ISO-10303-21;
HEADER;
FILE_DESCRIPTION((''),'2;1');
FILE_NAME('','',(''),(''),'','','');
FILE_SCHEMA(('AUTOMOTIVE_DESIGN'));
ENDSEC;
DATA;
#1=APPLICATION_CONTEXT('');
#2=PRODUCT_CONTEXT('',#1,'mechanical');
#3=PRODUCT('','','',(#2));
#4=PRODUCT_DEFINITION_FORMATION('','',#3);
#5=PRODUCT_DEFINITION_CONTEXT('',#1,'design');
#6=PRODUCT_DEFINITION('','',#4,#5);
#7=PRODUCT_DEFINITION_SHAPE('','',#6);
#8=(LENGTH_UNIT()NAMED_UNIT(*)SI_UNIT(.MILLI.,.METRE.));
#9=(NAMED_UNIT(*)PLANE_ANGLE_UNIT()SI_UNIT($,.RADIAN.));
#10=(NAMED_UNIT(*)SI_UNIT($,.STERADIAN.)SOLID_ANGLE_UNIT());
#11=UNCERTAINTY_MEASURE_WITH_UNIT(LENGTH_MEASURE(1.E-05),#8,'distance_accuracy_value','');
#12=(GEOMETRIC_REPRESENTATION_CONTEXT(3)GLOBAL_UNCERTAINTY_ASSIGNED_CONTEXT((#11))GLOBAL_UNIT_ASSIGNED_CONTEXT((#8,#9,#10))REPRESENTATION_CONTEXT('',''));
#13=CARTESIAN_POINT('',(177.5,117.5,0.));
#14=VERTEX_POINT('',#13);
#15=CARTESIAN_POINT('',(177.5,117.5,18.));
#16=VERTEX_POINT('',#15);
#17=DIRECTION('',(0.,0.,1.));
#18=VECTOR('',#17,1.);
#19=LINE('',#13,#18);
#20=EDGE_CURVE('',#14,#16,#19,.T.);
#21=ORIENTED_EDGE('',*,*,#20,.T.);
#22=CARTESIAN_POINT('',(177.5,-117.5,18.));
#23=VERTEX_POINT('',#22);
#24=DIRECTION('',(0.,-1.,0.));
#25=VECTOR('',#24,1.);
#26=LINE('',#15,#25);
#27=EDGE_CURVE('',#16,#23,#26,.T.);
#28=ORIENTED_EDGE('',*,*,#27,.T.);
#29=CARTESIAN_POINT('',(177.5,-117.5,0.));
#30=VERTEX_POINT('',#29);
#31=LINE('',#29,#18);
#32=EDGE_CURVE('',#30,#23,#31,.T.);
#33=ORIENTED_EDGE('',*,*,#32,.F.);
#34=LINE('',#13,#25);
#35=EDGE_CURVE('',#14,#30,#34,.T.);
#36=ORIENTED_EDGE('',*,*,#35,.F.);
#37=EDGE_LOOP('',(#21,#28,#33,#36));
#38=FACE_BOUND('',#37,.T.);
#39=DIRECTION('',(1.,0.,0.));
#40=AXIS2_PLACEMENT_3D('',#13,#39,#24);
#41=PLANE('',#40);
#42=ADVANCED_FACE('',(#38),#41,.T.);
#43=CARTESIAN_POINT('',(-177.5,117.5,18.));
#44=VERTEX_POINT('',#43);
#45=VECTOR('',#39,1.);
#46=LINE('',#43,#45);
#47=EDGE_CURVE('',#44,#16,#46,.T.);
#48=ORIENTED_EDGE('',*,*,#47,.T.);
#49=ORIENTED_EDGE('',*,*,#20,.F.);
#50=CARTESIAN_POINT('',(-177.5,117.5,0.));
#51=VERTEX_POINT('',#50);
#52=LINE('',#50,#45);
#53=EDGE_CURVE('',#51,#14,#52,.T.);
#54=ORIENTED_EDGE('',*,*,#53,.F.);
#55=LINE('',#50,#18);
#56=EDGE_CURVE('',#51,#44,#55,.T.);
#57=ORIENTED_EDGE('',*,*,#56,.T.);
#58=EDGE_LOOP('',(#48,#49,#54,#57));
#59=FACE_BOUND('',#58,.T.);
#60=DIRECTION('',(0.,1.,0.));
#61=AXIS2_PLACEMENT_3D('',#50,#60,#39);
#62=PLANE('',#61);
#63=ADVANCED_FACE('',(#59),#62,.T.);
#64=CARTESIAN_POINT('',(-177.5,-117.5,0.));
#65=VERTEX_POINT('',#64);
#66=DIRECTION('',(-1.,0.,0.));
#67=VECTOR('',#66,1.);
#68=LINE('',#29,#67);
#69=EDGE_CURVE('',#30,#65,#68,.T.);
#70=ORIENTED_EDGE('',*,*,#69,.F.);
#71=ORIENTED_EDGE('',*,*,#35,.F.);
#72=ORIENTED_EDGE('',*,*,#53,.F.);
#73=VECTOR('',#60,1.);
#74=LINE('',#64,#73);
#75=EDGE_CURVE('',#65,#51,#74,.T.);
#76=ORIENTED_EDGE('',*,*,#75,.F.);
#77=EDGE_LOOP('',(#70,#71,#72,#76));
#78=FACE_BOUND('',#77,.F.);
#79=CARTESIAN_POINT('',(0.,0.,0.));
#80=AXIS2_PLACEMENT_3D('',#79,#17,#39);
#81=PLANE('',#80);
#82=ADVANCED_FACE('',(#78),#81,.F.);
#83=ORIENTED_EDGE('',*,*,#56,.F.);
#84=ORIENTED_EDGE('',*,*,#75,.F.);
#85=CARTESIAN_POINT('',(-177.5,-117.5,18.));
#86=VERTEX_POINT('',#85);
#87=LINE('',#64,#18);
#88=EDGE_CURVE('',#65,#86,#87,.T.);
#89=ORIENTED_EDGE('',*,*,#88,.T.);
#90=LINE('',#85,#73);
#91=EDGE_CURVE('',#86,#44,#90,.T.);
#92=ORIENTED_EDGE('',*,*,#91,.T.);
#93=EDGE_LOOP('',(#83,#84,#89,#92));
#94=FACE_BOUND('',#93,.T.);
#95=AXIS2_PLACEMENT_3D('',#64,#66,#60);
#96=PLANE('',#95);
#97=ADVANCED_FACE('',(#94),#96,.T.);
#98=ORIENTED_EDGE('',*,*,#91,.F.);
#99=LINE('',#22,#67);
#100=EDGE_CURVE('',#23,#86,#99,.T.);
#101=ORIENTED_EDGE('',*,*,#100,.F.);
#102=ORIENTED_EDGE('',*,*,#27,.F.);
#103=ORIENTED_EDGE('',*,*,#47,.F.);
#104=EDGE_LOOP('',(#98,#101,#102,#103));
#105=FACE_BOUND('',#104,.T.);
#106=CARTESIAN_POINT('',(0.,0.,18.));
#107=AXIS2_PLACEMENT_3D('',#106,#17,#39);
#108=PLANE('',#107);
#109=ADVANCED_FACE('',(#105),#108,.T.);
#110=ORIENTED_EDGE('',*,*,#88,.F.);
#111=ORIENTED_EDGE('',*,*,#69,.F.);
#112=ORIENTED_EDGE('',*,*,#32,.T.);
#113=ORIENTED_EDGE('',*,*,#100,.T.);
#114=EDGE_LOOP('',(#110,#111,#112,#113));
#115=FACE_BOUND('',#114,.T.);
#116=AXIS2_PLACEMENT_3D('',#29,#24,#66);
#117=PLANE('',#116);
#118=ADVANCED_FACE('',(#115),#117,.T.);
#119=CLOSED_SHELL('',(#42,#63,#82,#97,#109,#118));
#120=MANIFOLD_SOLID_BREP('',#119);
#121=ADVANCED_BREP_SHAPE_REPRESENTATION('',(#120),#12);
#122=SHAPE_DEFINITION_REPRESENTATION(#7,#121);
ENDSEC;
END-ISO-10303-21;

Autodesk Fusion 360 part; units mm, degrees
sketch "Sketch1" plane through (0, 0, 0) normal (0, 0, 1) x (1, 0, 0)
  line L0 (177.5, -117.5) -> (-177.5, -117.5)
  line L1 (-177.5, -117.5) -> (-177.5, 117.5)
  line L2 (-177.5, 117.5) -> (177.5, 117.5)
  line L3 (177.5, 117.5) -> (177.5, -117.5)
  line L4 (177.5, -117.5) -> (-177.5, 117.5) construction
  line L5 (-177.5, -117.5) -> (177.5, 117.5) construction
  dimension "d1" = 355
  dimension "d2" = 235
extrude "Extrude1" add sketch "Sketch1" along normal blind 18
